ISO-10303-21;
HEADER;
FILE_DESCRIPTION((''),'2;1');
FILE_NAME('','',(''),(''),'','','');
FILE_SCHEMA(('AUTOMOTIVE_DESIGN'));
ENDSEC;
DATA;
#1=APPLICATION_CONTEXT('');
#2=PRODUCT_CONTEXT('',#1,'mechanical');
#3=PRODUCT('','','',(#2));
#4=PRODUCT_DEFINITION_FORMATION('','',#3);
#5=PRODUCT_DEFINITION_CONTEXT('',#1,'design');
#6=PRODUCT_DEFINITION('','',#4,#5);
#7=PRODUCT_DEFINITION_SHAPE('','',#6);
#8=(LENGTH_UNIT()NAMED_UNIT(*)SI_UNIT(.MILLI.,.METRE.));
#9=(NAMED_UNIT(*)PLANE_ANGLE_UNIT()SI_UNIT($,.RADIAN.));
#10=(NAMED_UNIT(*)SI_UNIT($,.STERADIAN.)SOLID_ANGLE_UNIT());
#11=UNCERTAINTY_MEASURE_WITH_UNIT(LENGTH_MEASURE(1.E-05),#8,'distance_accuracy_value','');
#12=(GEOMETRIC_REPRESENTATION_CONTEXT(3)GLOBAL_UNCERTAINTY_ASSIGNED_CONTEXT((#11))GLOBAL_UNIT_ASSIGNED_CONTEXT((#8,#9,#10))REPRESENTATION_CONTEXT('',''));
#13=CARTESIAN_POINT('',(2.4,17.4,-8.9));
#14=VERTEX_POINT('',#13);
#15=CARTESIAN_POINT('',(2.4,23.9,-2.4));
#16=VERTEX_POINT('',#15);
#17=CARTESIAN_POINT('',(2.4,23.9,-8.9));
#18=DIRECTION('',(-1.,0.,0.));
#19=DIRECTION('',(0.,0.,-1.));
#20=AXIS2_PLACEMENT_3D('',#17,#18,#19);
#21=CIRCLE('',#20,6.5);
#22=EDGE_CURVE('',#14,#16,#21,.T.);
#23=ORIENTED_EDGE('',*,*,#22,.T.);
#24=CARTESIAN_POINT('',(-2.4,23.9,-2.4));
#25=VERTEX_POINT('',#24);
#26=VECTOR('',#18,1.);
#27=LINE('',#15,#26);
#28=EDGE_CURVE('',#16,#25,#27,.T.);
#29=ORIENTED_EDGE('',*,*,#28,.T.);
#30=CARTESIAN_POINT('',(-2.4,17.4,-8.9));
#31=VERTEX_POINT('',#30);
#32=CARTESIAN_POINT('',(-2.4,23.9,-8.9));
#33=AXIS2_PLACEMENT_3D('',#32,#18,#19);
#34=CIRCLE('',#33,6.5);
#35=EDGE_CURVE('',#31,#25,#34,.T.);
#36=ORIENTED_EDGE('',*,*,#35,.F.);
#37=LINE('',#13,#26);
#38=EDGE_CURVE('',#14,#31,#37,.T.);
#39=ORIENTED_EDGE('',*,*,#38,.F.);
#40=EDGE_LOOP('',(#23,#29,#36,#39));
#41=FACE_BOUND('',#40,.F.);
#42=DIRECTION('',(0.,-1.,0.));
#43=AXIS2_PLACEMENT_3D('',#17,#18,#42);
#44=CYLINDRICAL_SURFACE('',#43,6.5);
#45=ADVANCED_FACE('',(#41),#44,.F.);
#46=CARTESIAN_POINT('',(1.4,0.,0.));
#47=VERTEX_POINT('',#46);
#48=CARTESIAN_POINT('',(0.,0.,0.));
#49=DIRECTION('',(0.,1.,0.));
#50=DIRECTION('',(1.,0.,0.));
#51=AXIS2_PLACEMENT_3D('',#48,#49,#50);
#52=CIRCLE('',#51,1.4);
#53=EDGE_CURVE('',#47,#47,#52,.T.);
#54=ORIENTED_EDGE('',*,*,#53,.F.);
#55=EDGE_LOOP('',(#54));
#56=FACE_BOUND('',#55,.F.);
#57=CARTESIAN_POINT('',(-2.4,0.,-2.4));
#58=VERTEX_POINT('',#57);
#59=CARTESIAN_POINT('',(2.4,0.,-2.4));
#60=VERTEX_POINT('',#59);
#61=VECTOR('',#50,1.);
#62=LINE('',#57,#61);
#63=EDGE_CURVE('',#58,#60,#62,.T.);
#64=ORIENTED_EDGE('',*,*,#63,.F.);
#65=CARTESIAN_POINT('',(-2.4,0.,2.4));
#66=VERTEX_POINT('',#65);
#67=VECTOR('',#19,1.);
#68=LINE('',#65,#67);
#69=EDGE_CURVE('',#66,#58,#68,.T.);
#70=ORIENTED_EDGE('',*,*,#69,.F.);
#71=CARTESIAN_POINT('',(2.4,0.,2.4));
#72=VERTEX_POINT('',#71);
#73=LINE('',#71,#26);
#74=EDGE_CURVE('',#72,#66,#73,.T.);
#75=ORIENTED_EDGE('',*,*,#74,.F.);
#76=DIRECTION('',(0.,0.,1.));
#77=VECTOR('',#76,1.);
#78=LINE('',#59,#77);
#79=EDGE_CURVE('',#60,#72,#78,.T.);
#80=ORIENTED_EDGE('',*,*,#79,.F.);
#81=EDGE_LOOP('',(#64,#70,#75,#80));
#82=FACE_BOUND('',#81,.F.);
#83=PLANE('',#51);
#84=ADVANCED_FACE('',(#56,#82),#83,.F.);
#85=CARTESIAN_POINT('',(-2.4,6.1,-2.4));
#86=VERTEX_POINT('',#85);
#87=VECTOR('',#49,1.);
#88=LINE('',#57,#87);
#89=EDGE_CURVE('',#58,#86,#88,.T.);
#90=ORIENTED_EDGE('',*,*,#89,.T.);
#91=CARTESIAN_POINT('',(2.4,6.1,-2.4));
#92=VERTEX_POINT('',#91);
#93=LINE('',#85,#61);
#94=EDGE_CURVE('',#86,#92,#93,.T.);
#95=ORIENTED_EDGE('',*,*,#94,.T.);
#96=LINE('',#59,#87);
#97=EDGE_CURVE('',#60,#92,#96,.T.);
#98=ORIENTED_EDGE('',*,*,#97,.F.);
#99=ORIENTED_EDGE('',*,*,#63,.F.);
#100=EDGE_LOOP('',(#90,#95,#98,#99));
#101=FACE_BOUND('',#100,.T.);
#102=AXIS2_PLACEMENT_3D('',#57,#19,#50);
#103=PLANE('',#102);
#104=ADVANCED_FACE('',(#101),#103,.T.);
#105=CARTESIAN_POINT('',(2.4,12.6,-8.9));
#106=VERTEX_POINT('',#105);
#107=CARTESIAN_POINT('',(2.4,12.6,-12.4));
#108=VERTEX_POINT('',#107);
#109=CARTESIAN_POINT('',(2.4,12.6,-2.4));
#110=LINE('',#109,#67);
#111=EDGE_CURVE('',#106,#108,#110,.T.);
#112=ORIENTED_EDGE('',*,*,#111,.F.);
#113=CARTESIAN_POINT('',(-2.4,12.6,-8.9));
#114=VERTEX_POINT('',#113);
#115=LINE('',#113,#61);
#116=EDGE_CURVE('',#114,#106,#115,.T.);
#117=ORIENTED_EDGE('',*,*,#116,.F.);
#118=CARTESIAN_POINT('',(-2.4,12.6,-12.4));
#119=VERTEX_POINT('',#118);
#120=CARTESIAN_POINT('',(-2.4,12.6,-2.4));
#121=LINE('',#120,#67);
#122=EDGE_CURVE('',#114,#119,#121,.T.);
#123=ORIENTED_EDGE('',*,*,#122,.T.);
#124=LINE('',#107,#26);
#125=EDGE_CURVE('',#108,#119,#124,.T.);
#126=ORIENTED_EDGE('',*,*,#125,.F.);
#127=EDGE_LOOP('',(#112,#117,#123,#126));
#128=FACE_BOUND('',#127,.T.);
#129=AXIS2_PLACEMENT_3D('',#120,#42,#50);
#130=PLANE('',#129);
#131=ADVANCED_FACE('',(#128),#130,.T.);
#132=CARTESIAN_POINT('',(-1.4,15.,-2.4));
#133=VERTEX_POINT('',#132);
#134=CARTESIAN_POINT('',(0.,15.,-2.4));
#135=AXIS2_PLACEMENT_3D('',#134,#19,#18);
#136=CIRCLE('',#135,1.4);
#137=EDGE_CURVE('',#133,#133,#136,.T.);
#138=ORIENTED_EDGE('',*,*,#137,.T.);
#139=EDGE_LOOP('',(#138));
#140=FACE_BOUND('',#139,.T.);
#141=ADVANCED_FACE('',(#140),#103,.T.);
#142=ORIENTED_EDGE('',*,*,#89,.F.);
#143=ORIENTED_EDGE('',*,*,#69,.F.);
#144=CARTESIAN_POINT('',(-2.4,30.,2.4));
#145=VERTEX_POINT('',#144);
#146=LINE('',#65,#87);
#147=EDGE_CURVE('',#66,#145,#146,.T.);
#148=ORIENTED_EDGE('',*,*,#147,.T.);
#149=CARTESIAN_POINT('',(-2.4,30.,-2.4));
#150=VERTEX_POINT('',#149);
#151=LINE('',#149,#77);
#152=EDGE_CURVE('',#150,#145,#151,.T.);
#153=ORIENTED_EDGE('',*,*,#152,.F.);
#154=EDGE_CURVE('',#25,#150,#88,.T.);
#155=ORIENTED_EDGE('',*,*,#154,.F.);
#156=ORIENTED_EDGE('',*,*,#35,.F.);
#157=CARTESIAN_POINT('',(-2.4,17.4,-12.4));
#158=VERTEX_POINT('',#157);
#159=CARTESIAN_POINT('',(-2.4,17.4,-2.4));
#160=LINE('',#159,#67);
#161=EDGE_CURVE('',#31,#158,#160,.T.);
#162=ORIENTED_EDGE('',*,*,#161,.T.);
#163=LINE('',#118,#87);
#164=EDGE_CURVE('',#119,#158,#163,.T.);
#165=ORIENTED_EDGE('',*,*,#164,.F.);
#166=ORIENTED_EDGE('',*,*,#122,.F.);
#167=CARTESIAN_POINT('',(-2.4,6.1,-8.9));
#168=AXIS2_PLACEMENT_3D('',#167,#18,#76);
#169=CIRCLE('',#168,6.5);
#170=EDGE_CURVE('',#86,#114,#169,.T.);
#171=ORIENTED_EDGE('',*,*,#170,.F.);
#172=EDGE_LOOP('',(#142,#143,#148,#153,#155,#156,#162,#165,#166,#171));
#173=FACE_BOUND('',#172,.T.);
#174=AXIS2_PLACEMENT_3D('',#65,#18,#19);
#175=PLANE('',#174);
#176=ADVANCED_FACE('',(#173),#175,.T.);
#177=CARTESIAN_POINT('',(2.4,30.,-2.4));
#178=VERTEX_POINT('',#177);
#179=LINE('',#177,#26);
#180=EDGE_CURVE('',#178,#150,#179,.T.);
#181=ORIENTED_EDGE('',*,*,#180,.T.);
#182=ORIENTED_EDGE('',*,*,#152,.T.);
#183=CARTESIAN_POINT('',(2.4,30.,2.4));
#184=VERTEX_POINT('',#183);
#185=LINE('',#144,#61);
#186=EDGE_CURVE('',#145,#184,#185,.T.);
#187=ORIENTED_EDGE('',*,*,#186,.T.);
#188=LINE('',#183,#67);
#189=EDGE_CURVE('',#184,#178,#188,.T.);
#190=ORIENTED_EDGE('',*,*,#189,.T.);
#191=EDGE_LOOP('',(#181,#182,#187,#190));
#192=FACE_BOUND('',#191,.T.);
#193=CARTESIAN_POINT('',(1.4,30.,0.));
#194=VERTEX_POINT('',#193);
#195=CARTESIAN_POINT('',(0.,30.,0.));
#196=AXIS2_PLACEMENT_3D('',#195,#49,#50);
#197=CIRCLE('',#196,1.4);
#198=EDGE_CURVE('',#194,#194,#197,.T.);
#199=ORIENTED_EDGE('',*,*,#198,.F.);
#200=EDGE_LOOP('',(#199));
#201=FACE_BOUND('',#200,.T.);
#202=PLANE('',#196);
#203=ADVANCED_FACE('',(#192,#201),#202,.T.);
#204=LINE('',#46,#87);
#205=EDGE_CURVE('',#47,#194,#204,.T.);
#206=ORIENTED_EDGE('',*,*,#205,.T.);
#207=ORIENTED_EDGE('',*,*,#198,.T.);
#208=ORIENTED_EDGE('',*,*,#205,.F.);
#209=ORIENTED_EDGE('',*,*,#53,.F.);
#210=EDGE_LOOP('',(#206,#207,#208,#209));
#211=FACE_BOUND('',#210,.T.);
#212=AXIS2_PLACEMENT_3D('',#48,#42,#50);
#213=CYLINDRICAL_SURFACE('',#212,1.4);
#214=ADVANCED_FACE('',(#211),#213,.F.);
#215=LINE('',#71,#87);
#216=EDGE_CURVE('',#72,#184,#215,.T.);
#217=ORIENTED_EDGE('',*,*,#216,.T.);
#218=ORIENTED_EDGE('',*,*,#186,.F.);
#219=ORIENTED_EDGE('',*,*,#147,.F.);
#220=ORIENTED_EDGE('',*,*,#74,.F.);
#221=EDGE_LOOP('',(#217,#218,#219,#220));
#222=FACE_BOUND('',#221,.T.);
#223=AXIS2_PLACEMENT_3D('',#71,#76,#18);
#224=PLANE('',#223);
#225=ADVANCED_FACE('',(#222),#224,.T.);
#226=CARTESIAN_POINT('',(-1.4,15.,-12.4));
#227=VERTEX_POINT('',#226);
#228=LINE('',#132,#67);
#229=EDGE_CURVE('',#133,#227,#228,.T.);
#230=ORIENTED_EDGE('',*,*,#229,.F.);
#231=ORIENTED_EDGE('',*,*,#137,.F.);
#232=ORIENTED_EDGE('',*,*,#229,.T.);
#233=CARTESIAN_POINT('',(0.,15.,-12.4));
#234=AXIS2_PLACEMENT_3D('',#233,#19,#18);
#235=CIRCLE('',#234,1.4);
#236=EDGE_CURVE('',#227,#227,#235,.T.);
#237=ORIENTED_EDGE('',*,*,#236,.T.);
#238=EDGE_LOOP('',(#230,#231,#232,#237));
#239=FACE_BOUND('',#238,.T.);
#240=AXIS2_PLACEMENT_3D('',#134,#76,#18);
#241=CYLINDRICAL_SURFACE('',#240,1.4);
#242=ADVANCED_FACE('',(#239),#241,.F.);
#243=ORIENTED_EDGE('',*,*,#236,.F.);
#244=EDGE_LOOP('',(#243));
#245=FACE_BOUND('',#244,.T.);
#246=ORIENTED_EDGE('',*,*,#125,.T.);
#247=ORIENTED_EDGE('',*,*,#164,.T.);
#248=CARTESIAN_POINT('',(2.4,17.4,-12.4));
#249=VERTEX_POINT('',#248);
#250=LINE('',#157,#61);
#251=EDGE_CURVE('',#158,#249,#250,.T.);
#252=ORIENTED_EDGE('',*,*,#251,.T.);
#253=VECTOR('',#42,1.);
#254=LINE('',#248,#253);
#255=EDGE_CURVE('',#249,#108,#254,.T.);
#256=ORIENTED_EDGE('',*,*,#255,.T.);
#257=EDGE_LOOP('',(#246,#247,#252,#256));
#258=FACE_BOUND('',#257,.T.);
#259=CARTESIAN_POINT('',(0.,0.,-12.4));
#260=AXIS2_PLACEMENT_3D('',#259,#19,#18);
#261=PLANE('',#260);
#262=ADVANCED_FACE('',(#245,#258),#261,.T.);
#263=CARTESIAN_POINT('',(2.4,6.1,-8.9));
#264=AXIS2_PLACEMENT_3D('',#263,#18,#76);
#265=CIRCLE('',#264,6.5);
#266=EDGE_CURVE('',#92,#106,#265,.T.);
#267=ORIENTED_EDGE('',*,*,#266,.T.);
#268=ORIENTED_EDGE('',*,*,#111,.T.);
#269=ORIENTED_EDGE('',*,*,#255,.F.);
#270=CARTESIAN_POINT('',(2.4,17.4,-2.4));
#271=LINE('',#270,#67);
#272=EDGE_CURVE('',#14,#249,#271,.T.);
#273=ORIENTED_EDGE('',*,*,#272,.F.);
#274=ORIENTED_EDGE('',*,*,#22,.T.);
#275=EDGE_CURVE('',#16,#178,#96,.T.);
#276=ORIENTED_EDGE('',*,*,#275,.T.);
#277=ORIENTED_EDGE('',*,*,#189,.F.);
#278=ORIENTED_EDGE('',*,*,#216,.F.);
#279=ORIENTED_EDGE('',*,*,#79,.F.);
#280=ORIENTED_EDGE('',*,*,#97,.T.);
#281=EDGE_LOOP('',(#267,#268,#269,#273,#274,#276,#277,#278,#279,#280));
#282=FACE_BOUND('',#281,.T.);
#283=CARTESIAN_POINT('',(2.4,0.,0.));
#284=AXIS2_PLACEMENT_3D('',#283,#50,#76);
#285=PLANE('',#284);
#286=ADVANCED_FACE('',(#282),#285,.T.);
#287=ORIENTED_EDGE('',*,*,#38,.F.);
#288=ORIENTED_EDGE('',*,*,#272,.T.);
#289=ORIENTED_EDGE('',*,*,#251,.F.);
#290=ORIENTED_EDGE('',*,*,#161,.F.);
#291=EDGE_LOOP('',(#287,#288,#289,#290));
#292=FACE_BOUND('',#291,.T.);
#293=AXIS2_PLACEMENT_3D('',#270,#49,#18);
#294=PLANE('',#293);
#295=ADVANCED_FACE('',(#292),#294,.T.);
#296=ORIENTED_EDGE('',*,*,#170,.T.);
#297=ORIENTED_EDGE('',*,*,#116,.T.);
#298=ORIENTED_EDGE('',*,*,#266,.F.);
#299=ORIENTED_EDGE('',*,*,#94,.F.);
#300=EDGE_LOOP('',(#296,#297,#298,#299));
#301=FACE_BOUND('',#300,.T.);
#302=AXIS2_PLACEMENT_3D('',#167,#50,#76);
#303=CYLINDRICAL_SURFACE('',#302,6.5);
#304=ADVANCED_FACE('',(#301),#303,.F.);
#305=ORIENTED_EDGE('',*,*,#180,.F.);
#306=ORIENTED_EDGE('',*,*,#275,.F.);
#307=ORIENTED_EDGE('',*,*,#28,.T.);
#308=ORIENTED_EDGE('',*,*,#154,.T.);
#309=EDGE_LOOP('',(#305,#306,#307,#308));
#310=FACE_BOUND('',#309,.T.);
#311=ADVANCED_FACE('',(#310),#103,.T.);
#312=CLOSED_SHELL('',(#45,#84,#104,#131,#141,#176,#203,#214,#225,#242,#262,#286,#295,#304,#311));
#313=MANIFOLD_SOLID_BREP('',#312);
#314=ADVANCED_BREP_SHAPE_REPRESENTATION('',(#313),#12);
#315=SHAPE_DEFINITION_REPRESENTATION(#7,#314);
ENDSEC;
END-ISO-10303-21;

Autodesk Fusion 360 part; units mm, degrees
sketch "スケッチ2" plane through (0, 0, 0) normal (0, 1, 0) x (1, 0, 0)
  circle A0 centre (0, 0) radius 1.4
  circle A1 centre (0, 0) radius 2.4
  line L0 (2.4, -2.4) -> (-2.4, -2.4)
  line L1 (-2.4, -2.4) -> (-2.4, 2.4)
  line L2 (-2.4, 2.4) -> (2.4, 2.4)
  line L3 (2.4, 2.4) -> (2.4, -2.4)
  dimension "d1" = 2.8
  dimension "d2" = 1
extrude "押し出し1" add sketch "スケッチ2" along normal blind 30
sketch "スケッチ3" plane through (0, 0, -2.4) normal (0, 0, -1) x (-1, 0, 0)
  circle A0 centre (0, 15) radius 1.4
  circle A1 centre (0, 15) radius 2.4
  line L0 (0, 30) -> (0, 0) construction
  line L1 (2.25, 30) -> (-2.25, 30) construction
  line L2 (-2.4, 0) -> (2.4, 0)
  line L3 (2.4, 0) -> (2.4, 30)
  line L4 (2.4, 30) -> (-2.4, 30)
  line L5 (-2.4, 30) -> (-2.4, 0)
  line L6 (2.4, 12.6) -> (-2.4, 12.6)
  line L7 (-2.4, 12.6) -> (-2.4, 17.4)
  line L8 (-2.4, 17.4) -> (2.4, 17.4)
  line L9 (2.4, 17.4) -> (2.4, 12.6)
  dimension "d6" = 2.8
  dimension "d7" = 1
extrude "押し出し2" add sketch "スケッチ3" along normal blind 10 contours A1 | A1 L3 L6 L9 | A1 L3 L8 L9 | A1 L5 L7 L8 | A1 L5 L6 L7
fillet "フィレット1" radius 6.5 1 edges at (0, 12.6, -2.4)
fillet "フィレット2" radius 6.5 1 edges at (0, 17.4, -2.4)
